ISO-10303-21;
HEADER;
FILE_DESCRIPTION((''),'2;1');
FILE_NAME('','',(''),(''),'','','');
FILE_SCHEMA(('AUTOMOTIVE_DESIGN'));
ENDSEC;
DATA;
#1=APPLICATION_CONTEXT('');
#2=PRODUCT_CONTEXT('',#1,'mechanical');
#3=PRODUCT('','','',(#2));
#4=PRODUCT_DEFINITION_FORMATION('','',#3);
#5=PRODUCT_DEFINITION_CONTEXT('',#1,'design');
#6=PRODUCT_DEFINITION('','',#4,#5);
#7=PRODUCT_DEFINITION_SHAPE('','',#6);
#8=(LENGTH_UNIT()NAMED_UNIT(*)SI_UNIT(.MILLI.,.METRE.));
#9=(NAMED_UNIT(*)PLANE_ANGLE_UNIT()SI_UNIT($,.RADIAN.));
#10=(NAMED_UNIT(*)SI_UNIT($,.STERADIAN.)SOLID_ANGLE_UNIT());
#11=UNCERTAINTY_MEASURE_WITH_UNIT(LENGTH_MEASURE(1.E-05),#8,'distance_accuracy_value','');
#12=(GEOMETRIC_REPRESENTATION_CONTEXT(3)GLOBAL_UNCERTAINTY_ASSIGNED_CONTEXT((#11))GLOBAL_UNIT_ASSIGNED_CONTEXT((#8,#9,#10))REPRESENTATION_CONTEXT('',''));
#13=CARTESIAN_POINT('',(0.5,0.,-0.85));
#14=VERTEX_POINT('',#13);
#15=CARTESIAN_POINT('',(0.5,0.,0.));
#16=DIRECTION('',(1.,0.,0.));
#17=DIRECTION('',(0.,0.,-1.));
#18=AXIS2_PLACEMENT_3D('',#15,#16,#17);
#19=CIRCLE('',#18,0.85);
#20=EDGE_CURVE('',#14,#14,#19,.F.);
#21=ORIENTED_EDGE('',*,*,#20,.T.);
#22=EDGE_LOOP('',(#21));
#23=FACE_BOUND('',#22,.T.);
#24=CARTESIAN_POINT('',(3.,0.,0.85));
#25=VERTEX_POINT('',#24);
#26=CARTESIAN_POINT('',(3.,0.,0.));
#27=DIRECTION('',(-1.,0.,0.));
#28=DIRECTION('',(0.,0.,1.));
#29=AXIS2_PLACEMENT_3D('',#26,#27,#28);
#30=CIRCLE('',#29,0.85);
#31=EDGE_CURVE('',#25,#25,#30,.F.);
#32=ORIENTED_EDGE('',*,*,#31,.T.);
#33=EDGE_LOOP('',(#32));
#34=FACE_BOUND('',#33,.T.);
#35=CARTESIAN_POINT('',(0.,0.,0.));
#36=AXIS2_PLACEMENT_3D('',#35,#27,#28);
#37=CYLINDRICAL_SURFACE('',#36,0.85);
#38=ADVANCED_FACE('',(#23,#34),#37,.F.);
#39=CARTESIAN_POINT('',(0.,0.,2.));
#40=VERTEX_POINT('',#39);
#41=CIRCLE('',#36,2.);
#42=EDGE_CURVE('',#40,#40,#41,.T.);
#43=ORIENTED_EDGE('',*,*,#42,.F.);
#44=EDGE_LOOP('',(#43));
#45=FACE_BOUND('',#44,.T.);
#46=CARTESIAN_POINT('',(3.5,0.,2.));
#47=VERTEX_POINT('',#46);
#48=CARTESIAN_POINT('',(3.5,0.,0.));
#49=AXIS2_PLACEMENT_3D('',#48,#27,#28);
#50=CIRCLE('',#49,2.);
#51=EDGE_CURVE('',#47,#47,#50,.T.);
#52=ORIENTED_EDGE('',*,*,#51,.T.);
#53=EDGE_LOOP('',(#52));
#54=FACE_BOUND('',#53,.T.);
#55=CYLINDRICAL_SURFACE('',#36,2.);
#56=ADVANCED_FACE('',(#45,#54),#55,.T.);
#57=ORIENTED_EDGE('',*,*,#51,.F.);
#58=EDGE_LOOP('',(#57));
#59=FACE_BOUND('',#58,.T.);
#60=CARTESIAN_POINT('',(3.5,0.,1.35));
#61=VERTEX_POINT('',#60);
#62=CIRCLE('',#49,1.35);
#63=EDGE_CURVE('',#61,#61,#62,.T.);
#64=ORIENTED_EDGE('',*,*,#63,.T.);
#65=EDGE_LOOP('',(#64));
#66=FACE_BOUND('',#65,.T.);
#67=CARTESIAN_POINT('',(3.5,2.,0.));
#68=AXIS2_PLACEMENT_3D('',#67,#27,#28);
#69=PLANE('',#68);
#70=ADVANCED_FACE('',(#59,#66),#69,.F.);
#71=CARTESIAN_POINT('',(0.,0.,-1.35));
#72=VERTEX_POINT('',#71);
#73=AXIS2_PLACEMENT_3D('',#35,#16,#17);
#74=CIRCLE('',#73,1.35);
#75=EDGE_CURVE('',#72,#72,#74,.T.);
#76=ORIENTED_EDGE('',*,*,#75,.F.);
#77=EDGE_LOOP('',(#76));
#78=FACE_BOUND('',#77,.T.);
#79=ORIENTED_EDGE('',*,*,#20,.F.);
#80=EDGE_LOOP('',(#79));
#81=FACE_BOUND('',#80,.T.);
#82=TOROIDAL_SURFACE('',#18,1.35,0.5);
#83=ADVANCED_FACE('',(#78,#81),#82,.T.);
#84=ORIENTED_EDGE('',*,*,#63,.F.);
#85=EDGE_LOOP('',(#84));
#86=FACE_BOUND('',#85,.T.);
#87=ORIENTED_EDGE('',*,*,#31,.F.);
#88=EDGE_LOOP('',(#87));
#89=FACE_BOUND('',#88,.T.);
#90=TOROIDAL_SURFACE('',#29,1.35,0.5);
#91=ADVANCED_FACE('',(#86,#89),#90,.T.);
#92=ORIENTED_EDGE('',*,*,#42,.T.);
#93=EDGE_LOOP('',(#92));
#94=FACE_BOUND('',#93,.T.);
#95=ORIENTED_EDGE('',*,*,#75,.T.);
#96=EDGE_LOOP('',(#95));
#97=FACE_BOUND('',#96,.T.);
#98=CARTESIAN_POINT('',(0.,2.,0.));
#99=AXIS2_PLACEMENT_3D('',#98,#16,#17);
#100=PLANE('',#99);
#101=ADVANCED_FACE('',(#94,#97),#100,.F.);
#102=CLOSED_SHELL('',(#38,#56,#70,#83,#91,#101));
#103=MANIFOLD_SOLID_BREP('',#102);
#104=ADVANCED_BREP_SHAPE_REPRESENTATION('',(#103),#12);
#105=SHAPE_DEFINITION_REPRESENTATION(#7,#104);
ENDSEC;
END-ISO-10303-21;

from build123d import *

# Parameters (mm, degrees)
SKIZZE1_W     = 3.5
SKIZZE1_H     = 1.15
VERRUNDUNG1_R = 0.5


with BuildPart() as part:
    # Skizze1 → Rotation1 (revolve)
    with BuildSketch(Plane.XY):
        with Locations((1.75, 1.425)):
            Rectangle(SKIZZE1_W, SKIZZE1_H)
    revolve(axis=Axis((0, 0, 0), (1, 0, 0)))

    # Verrundung1
    verrundung1_edges = [part.edges().sort_by_distance(p)[0] for p in [
        (3.5, -0.85, 0),
        (0, -0.85, 0),
    ]]
    fillet(verrundung1_edges, radius=VERRUNDUNG1_R)


solid = part.part
